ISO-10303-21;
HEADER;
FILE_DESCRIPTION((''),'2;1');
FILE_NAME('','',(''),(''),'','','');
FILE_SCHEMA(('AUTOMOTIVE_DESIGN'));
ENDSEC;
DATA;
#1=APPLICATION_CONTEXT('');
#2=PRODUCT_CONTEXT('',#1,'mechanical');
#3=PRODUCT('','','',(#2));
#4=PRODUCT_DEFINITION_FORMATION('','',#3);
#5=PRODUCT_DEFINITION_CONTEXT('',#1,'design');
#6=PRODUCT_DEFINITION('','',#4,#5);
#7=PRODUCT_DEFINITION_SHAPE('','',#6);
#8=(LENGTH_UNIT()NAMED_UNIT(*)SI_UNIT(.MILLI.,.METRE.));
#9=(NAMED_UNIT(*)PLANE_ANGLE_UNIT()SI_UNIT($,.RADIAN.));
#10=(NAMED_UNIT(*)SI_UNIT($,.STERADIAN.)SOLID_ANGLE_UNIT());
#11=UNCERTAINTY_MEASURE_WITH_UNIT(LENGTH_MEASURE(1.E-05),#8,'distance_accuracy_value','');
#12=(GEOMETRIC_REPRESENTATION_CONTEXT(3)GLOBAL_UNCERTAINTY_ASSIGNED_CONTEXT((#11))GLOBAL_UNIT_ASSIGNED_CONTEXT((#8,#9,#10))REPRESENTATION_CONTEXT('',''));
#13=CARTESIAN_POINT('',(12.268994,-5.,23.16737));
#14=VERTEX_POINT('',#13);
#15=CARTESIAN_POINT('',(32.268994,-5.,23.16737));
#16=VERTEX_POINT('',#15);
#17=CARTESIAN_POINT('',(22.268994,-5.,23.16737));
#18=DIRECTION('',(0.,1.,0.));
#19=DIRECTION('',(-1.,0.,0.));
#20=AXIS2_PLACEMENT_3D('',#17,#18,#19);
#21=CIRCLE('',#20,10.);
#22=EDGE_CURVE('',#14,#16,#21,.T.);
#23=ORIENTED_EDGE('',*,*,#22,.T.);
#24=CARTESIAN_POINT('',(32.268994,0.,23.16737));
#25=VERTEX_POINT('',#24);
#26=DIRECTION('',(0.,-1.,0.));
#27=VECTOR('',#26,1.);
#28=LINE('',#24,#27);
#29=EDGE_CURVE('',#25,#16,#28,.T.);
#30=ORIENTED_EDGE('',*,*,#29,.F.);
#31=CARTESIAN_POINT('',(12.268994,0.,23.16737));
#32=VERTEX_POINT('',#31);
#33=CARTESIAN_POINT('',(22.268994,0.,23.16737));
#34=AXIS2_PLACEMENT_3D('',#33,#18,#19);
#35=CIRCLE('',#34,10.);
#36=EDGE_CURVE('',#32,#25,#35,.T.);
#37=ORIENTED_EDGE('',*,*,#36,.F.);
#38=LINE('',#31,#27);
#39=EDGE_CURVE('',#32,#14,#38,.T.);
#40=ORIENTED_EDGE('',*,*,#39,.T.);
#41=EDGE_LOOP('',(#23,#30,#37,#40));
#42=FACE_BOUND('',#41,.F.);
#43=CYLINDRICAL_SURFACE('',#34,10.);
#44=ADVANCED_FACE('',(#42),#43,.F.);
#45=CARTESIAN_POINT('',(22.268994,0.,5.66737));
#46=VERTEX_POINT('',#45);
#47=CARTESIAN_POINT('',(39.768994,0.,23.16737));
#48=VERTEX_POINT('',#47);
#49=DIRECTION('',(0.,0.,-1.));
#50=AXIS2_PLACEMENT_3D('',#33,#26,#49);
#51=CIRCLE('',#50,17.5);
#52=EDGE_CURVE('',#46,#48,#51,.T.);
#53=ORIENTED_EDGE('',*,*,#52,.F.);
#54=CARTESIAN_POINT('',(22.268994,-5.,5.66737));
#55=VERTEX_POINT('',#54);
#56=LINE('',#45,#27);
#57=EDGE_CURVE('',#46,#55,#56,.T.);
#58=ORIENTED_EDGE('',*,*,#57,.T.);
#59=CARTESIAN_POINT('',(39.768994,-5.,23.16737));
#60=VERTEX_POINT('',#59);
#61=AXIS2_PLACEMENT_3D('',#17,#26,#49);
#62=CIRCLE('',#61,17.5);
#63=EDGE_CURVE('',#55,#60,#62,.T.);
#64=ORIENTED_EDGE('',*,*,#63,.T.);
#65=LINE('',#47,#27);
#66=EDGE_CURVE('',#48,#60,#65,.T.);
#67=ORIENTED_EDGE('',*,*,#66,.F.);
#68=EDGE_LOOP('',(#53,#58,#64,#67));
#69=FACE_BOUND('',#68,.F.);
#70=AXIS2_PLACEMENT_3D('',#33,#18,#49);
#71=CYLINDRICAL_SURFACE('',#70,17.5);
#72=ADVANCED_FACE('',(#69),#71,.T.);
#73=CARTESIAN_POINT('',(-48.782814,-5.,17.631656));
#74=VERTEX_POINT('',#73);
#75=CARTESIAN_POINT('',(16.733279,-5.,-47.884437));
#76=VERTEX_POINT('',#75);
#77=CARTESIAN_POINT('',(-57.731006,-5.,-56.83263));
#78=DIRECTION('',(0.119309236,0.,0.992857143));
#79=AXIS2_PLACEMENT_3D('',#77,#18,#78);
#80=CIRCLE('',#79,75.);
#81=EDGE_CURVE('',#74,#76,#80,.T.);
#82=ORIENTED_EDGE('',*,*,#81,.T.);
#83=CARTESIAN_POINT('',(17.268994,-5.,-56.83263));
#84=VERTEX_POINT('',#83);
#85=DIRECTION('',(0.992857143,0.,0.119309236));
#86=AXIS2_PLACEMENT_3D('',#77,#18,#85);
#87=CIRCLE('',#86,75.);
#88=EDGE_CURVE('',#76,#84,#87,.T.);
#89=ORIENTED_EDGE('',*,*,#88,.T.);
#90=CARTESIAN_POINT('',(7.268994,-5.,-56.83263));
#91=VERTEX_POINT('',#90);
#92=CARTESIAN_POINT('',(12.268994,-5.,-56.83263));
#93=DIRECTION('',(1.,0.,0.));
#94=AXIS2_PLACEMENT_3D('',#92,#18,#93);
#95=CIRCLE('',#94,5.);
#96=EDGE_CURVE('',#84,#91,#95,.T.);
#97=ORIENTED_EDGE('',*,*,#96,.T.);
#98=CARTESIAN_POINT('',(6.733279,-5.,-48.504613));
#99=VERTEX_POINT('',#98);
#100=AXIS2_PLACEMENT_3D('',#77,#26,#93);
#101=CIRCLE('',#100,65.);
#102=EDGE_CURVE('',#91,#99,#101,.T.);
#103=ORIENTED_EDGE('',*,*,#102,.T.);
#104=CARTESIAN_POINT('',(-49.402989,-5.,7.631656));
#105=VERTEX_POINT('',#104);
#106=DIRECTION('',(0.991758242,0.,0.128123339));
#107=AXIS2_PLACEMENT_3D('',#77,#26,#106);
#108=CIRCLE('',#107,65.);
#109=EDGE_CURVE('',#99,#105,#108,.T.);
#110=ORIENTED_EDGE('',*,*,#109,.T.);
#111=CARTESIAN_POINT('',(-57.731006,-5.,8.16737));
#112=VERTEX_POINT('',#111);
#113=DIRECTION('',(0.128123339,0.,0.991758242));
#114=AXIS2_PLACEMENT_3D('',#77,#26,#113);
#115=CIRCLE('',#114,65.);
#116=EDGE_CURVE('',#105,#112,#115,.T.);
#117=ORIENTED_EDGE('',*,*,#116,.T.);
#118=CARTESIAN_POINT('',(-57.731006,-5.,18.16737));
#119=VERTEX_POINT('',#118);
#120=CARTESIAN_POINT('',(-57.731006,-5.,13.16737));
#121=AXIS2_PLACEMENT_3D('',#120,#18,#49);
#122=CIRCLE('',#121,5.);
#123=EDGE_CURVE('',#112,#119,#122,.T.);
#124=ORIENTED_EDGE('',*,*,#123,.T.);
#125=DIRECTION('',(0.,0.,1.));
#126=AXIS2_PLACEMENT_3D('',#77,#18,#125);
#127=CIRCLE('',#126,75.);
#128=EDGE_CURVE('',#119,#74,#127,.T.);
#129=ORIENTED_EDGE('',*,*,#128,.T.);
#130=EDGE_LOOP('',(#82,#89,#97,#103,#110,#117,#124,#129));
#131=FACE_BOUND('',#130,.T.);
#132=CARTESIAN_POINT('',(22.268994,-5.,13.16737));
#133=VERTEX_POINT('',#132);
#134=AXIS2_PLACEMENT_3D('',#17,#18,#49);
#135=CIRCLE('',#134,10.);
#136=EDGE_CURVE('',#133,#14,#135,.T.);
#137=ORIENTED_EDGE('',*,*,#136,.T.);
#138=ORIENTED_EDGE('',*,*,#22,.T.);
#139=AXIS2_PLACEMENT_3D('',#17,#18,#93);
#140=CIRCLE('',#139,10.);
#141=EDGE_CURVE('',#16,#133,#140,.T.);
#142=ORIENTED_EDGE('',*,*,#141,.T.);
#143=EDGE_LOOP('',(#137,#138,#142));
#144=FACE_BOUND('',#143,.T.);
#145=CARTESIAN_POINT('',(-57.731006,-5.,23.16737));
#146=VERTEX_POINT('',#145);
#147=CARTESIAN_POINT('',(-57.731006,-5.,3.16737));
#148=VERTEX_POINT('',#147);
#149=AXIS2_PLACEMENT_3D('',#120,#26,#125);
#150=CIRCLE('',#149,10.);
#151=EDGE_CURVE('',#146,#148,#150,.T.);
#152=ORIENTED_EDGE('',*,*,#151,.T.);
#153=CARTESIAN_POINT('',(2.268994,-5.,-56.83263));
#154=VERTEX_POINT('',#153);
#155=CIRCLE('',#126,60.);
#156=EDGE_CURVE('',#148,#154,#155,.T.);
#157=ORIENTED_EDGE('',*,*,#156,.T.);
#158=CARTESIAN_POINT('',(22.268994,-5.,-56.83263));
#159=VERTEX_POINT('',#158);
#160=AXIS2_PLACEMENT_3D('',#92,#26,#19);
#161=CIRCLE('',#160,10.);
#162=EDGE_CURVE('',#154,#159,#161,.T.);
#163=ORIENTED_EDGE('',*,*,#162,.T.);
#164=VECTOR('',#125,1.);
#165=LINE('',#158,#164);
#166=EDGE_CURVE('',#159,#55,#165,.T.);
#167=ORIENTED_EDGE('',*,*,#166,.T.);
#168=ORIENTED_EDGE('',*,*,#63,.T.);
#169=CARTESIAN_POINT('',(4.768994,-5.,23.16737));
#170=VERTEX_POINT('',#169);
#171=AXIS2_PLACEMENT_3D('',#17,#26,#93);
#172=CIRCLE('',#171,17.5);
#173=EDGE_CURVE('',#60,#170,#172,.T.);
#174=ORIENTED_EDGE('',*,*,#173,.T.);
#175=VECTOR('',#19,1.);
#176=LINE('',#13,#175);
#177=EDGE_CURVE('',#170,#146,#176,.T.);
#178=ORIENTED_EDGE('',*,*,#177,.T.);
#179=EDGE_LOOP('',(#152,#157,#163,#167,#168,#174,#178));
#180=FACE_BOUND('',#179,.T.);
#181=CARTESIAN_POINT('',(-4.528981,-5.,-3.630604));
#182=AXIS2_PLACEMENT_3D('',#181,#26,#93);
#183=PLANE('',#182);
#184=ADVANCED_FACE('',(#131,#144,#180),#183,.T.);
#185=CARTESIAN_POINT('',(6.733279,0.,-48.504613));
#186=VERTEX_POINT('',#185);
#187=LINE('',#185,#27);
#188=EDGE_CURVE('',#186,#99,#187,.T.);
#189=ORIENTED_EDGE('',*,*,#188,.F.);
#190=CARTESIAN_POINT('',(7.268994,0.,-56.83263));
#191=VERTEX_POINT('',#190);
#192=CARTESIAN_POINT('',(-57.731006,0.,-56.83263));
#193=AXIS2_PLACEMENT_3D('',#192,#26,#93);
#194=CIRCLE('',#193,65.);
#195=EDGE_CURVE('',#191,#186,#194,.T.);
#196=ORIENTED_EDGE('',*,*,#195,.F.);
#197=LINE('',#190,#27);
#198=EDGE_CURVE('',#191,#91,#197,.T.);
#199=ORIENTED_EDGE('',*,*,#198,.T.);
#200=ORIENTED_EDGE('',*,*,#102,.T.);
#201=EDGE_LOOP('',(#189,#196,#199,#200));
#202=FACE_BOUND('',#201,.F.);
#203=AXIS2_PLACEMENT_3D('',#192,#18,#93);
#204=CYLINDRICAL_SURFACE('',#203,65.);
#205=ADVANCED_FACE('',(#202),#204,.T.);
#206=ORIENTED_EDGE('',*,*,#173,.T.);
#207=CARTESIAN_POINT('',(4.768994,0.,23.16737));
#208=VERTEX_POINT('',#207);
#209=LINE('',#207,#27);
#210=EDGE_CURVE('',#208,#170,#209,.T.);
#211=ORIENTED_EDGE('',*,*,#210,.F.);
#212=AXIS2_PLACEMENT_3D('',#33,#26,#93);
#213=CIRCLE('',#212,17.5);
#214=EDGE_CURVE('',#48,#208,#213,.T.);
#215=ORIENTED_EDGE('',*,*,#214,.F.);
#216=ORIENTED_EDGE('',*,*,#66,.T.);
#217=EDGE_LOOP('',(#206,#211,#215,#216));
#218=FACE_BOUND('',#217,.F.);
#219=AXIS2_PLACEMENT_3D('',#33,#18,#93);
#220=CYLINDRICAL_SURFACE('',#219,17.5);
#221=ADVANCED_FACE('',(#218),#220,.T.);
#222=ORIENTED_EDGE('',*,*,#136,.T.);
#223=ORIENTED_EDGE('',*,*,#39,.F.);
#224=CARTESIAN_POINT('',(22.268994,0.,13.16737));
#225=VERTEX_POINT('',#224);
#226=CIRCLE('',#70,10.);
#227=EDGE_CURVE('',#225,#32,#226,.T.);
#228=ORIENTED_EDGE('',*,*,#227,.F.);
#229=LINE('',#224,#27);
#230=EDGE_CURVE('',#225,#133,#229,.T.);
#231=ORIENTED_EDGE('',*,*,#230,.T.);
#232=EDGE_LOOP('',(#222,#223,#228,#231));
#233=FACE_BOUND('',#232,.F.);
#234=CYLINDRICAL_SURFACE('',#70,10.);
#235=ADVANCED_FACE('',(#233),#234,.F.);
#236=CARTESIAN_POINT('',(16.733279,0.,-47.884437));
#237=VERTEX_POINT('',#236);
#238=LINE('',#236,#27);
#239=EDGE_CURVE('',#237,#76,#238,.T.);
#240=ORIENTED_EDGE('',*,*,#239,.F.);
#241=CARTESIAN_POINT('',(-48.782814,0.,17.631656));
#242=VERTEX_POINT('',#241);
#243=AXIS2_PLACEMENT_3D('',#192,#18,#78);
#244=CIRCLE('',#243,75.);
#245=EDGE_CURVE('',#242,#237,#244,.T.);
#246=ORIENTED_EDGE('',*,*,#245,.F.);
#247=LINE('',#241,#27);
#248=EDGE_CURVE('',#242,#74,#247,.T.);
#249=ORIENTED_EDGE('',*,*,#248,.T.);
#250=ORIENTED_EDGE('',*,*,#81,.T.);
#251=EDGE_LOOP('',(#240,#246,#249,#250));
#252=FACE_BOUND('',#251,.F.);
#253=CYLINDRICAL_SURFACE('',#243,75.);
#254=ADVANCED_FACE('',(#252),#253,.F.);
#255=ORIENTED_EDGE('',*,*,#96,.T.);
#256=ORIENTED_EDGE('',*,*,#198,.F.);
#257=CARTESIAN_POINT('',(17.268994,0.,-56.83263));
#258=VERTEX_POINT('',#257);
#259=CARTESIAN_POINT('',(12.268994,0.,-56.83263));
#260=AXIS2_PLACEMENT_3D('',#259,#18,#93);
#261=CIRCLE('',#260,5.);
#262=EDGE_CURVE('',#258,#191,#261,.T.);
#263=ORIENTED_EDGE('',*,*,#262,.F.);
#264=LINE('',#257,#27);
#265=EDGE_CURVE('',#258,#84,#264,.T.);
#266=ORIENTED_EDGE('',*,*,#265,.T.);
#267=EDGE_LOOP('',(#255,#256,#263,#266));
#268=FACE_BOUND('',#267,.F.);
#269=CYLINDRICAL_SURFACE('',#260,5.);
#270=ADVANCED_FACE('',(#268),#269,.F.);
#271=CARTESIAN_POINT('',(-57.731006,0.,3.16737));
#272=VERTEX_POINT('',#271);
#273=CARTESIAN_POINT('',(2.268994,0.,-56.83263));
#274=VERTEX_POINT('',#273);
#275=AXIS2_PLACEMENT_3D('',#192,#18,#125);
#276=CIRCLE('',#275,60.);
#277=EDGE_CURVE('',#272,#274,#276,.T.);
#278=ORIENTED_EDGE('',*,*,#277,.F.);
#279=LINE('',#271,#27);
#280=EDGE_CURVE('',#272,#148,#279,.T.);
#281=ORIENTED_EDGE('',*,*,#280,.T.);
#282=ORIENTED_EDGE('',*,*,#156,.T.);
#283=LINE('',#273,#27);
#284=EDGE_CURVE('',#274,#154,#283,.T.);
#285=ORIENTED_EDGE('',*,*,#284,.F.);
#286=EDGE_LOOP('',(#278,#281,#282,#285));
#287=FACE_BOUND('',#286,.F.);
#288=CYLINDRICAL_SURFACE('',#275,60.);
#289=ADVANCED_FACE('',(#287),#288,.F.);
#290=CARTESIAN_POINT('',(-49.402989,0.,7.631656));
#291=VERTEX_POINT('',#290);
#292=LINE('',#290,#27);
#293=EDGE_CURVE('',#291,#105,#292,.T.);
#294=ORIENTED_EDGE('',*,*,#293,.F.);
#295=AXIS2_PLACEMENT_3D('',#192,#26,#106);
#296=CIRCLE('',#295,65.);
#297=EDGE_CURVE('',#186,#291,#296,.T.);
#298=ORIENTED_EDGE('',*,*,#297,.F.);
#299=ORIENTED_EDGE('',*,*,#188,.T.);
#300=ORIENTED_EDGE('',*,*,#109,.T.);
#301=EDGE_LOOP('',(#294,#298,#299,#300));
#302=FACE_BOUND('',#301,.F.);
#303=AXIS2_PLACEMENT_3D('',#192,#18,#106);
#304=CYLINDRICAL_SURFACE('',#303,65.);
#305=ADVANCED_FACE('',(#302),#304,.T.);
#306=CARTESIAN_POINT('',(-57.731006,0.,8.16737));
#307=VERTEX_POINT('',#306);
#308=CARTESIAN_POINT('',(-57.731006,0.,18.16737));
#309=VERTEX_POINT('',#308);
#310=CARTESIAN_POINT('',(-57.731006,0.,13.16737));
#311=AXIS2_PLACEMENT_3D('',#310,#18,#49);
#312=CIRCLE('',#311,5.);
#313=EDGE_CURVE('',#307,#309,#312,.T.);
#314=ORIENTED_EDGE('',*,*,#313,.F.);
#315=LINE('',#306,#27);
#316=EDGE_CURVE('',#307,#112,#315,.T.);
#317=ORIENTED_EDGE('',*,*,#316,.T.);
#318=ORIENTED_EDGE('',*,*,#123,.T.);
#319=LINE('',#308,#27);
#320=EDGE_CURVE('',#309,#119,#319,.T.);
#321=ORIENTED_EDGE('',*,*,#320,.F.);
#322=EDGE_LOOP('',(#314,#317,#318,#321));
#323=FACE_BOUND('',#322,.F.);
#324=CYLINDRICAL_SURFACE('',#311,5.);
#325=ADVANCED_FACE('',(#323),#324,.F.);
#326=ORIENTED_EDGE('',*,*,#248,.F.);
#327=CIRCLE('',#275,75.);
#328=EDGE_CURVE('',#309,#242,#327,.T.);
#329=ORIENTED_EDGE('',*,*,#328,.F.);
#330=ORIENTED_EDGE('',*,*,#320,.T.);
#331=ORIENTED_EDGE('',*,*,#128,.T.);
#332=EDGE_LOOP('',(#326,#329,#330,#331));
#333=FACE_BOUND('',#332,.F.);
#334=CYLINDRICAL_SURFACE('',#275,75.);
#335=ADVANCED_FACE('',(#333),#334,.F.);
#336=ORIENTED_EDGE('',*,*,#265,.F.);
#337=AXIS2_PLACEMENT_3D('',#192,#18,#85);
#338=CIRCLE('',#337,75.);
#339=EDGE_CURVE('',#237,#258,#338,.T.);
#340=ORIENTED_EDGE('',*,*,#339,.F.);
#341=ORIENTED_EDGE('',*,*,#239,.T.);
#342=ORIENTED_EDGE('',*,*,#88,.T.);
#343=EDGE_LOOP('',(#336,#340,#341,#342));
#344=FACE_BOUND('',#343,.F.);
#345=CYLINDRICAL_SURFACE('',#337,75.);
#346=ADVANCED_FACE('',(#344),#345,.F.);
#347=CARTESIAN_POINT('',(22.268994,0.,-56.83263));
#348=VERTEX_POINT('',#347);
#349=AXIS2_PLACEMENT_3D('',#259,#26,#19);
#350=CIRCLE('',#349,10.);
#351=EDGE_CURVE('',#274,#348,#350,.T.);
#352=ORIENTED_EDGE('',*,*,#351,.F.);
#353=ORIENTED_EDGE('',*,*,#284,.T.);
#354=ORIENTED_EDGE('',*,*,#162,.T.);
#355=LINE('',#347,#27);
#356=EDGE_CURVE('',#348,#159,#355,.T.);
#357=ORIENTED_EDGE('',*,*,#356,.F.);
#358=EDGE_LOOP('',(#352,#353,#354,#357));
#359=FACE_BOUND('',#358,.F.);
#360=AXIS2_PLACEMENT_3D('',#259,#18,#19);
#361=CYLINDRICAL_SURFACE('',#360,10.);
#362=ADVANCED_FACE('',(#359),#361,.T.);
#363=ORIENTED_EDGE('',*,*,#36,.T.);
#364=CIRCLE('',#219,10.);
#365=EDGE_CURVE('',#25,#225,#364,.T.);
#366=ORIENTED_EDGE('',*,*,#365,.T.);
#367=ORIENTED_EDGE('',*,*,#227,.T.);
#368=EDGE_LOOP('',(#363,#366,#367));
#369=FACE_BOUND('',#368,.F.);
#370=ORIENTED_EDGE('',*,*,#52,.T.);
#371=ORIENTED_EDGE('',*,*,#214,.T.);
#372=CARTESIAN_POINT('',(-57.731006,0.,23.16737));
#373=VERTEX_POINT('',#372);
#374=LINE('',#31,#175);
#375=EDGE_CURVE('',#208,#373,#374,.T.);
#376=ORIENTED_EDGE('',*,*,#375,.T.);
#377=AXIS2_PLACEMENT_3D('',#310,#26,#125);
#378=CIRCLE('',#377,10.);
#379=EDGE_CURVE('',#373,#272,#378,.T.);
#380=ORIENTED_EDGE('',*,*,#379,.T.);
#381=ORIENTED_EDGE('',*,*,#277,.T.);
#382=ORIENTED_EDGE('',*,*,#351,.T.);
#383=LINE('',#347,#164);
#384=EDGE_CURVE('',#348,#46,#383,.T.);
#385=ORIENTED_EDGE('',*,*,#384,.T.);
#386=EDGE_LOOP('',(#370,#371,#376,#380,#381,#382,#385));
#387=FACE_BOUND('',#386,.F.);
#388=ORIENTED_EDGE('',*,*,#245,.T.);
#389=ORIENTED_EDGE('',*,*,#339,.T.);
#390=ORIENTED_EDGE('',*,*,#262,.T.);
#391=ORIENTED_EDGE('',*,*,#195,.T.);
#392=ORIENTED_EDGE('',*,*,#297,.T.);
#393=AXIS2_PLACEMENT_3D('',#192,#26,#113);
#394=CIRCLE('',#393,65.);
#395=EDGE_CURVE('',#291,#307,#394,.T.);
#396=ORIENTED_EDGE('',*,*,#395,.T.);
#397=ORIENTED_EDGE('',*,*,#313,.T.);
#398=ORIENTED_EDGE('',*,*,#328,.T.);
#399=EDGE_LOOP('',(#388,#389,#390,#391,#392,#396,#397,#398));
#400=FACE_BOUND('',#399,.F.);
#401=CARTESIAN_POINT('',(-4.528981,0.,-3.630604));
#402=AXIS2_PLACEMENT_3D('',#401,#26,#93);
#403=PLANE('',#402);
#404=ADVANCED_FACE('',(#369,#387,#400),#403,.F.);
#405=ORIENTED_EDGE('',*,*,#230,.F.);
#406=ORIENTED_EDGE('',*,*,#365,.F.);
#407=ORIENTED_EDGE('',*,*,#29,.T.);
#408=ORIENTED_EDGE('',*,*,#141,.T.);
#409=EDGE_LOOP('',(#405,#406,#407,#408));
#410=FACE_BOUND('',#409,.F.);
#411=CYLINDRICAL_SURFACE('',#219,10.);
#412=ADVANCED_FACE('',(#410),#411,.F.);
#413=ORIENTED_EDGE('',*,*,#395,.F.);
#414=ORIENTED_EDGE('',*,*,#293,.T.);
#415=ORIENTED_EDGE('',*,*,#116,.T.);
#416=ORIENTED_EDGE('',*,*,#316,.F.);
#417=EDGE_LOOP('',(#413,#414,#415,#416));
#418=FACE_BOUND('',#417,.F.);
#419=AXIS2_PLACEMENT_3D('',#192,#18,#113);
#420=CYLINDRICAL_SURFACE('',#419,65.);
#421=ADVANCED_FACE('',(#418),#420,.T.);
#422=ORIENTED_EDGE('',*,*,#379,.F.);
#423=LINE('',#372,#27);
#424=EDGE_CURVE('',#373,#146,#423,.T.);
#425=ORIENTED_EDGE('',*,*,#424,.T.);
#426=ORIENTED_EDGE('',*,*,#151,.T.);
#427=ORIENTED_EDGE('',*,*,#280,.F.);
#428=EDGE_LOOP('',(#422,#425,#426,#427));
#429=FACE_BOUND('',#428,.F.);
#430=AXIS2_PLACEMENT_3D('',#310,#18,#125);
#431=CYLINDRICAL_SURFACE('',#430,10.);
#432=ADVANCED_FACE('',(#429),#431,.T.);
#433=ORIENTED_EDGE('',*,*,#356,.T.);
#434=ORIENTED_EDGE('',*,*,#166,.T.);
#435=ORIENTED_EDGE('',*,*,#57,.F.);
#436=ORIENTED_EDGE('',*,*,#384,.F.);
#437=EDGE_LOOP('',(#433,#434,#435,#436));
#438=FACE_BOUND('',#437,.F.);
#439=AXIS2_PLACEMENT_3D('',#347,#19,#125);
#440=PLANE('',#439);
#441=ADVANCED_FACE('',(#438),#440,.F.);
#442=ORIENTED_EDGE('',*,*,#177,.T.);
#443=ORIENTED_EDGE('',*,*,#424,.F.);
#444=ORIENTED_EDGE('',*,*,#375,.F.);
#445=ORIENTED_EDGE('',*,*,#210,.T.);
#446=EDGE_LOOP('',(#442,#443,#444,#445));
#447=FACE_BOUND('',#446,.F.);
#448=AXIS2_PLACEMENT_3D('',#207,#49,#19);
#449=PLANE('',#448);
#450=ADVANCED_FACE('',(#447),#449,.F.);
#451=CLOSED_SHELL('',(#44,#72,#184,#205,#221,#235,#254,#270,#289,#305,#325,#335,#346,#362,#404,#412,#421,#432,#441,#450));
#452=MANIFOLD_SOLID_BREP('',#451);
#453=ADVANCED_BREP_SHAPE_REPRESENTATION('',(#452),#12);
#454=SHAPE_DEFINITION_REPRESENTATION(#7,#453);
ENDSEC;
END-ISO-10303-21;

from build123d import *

# Parameters (mm, degrees)
F1_DEPTH = 5


with BuildPart() as f1:
    # F0 (on Front) → F1 (new body)
    with BuildSketch(Plane.XZ):
        with BuildLine():
            ThreePointArc((22.2689937055, 5.6673698127), (9.8946250347, 10.793001142), (4.7689937055, 23.1673698127))
            Line((4.7689937055, 23.1673698127), (-57.7310062945, 23.1673698127))
            ThreePointArc((-57.7310062945, 23.1673698127), (-52.4699634864, 21.6715704554), (-48.7828135685, 17.631655527))
            ThreePointArc((-48.7828135685, 17.631655527), (-4.6979977055, -3.7996215983), (16.7332794198, -47.8844374613))
            ThreePointArc((16.7332794198, -47.8844374613), (20.7731943482, -51.5715873792), (22.2689937055, -56.8326301873))
            Line((22.2689937055, -56.8326301873), (22.2689937055, 5.6673698127))
        make_face()
        with BuildLine():
            ThreePointArc((-49.4029892828, 7.631655527), (-53.0064503819, 4.3538250418), (-57.7310062945, 3.1673698127))
            ThreePointArc((-57.7310062945, 3.1673698127), (-15.3045994233, -14.4062233161), (2.2689937055, -56.8326301873))
            ThreePointArc((2.2689937055, -56.8326301873), (3.4554489346, -52.1080742747), (6.7332794198, -48.5046131756))
            ThreePointArc((6.7332794198, -48.5046131756), (-11.7690655174, -10.8706894101), (-49.4029892828, 7.631655527))
        make_face()
        with BuildLine():
            ThreePointArc((6.7332794198, -48.5046131756), (3.4554489346, -52.1080742747), (2.2689937055, -56.8326301873))
            Line((2.2689937055, -56.8326301873), (7.2689937055, -56.8326301873))
            ThreePointArc((7.2689937055, -56.8326301873), (7.1349268732, -52.6600153853), (6.7332794198, -48.5046131756))
        make_face()
        with BuildLine():
            ThreePointArc((2.2689937055, -56.8326301873), (12.2689937055, -66.8326301873), (22.2689937055, -56.8326301873))
            Line((22.2689937055, -56.8326301873), (17.2689937055, -56.8326301873))
            ThreePointArc((17.2689937055, -56.8326301873), (12.2689937055, -61.8326301873), (7.2689937055, -56.8326301873))
            Line((7.2689937055, -56.8326301873), (2.2689937055, -56.8326301873))
        make_face()
        with BuildLine():
            Line((17.2689937055, -56.8326301873), (22.2689937055, -56.8326301873))
            ThreePointArc((22.2689937055, -56.8326301873), (20.7731943482, -51.5715873792), (16.7332794198, -47.8844374613))
            ThreePointArc((16.7332794198, -47.8844374613), (17.134945341, -52.3505229023), (17.2689937055, -56.8326301873))
        make_face()
        with BuildLine():
            Line((-57.7310062945, 18.1673698127), (-57.7310062945, 23.1673698127))
            ThreePointArc((-57.7310062945, 23.1673698127), (-67.7310062945, 13.1673698127), (-57.7310062945, 3.1673698127))
            Line((-57.7310062945, 3.1673698127), (-57.7310062945, 8.1673698127))
            ThreePointArc((-57.7310062945, 8.1673698127), (-62.7310062945, 13.1673698127), (-57.7310062945, 18.1673698127))
        make_face()
        with BuildLine():
            ThreePointArc((-48.7828135685, 17.631655527), (-52.4699634864, 21.6715704554), (-57.7310062945, 23.1673698127))
            Line((-57.7310062945, 23.1673698127), (-57.7310062945, 18.1673698127))
            ThreePointArc((-57.7310062945, 18.1673698127), (-53.2488990095, 18.0333214482), (-48.7828135685, 17.631655527))
        make_face()
        with BuildLine():
            Line((-57.7310062945, 8.1673698127), (-57.7310062945, 3.1673698127))
            ThreePointArc((-57.7310062945, 3.1673698127), (-53.0064503819, 4.3538250418), (-49.4029892828, 7.631655527))
            ThreePointArc((-49.4029892828, 7.631655527), (-53.5583914925, 8.0333029804), (-57.7310062945, 8.1673698127))
        make_face()
        with BuildLine():
            Line((12.2689937055, 23.1673698127), (4.7689937055, 23.1673698127))
            ThreePointArc((4.7689937055, 23.1673698127), (9.8946250347, 10.793001142), (22.2689937055, 5.6673698127))
            Line((22.2689937055, 5.6673698127), (22.2689937055, 13.1673698127))
            ThreePointArc((22.2689937055, 13.1673698127), (15.1979258936, 16.0963020009), (12.2689937055, 23.1673698127))
        make_face()
        with BuildLine():
            ThreePointArc((22.2689937055, 5.6673698127), (34.6433623763, 10.793001142), (39.7689937055, 23.1673698127))
            ThreePointArc((39.7689937055, 23.1673698127), (22.2689937055, 40.6673698127), (4.7689937055, 23.1673698127))
            Line((4.7689937055, 23.1673698127), (12.2689937055, 23.1673698127))
            ThreePointArc((12.2689937055, 23.1673698127), (22.2689937055, 33.1673698127), (32.2689937055, 23.1673698127))
            ThreePointArc((32.2689937055, 23.1673698127), (29.3400615174, 16.0963020009), (22.2689937055, 13.1673698127))
            Line((22.2689937055, 13.1673698127), (22.2689937055, 5.6673698127))
        make_face()
    extrude(amount=F1_DEPTH)


solid = f1.part
